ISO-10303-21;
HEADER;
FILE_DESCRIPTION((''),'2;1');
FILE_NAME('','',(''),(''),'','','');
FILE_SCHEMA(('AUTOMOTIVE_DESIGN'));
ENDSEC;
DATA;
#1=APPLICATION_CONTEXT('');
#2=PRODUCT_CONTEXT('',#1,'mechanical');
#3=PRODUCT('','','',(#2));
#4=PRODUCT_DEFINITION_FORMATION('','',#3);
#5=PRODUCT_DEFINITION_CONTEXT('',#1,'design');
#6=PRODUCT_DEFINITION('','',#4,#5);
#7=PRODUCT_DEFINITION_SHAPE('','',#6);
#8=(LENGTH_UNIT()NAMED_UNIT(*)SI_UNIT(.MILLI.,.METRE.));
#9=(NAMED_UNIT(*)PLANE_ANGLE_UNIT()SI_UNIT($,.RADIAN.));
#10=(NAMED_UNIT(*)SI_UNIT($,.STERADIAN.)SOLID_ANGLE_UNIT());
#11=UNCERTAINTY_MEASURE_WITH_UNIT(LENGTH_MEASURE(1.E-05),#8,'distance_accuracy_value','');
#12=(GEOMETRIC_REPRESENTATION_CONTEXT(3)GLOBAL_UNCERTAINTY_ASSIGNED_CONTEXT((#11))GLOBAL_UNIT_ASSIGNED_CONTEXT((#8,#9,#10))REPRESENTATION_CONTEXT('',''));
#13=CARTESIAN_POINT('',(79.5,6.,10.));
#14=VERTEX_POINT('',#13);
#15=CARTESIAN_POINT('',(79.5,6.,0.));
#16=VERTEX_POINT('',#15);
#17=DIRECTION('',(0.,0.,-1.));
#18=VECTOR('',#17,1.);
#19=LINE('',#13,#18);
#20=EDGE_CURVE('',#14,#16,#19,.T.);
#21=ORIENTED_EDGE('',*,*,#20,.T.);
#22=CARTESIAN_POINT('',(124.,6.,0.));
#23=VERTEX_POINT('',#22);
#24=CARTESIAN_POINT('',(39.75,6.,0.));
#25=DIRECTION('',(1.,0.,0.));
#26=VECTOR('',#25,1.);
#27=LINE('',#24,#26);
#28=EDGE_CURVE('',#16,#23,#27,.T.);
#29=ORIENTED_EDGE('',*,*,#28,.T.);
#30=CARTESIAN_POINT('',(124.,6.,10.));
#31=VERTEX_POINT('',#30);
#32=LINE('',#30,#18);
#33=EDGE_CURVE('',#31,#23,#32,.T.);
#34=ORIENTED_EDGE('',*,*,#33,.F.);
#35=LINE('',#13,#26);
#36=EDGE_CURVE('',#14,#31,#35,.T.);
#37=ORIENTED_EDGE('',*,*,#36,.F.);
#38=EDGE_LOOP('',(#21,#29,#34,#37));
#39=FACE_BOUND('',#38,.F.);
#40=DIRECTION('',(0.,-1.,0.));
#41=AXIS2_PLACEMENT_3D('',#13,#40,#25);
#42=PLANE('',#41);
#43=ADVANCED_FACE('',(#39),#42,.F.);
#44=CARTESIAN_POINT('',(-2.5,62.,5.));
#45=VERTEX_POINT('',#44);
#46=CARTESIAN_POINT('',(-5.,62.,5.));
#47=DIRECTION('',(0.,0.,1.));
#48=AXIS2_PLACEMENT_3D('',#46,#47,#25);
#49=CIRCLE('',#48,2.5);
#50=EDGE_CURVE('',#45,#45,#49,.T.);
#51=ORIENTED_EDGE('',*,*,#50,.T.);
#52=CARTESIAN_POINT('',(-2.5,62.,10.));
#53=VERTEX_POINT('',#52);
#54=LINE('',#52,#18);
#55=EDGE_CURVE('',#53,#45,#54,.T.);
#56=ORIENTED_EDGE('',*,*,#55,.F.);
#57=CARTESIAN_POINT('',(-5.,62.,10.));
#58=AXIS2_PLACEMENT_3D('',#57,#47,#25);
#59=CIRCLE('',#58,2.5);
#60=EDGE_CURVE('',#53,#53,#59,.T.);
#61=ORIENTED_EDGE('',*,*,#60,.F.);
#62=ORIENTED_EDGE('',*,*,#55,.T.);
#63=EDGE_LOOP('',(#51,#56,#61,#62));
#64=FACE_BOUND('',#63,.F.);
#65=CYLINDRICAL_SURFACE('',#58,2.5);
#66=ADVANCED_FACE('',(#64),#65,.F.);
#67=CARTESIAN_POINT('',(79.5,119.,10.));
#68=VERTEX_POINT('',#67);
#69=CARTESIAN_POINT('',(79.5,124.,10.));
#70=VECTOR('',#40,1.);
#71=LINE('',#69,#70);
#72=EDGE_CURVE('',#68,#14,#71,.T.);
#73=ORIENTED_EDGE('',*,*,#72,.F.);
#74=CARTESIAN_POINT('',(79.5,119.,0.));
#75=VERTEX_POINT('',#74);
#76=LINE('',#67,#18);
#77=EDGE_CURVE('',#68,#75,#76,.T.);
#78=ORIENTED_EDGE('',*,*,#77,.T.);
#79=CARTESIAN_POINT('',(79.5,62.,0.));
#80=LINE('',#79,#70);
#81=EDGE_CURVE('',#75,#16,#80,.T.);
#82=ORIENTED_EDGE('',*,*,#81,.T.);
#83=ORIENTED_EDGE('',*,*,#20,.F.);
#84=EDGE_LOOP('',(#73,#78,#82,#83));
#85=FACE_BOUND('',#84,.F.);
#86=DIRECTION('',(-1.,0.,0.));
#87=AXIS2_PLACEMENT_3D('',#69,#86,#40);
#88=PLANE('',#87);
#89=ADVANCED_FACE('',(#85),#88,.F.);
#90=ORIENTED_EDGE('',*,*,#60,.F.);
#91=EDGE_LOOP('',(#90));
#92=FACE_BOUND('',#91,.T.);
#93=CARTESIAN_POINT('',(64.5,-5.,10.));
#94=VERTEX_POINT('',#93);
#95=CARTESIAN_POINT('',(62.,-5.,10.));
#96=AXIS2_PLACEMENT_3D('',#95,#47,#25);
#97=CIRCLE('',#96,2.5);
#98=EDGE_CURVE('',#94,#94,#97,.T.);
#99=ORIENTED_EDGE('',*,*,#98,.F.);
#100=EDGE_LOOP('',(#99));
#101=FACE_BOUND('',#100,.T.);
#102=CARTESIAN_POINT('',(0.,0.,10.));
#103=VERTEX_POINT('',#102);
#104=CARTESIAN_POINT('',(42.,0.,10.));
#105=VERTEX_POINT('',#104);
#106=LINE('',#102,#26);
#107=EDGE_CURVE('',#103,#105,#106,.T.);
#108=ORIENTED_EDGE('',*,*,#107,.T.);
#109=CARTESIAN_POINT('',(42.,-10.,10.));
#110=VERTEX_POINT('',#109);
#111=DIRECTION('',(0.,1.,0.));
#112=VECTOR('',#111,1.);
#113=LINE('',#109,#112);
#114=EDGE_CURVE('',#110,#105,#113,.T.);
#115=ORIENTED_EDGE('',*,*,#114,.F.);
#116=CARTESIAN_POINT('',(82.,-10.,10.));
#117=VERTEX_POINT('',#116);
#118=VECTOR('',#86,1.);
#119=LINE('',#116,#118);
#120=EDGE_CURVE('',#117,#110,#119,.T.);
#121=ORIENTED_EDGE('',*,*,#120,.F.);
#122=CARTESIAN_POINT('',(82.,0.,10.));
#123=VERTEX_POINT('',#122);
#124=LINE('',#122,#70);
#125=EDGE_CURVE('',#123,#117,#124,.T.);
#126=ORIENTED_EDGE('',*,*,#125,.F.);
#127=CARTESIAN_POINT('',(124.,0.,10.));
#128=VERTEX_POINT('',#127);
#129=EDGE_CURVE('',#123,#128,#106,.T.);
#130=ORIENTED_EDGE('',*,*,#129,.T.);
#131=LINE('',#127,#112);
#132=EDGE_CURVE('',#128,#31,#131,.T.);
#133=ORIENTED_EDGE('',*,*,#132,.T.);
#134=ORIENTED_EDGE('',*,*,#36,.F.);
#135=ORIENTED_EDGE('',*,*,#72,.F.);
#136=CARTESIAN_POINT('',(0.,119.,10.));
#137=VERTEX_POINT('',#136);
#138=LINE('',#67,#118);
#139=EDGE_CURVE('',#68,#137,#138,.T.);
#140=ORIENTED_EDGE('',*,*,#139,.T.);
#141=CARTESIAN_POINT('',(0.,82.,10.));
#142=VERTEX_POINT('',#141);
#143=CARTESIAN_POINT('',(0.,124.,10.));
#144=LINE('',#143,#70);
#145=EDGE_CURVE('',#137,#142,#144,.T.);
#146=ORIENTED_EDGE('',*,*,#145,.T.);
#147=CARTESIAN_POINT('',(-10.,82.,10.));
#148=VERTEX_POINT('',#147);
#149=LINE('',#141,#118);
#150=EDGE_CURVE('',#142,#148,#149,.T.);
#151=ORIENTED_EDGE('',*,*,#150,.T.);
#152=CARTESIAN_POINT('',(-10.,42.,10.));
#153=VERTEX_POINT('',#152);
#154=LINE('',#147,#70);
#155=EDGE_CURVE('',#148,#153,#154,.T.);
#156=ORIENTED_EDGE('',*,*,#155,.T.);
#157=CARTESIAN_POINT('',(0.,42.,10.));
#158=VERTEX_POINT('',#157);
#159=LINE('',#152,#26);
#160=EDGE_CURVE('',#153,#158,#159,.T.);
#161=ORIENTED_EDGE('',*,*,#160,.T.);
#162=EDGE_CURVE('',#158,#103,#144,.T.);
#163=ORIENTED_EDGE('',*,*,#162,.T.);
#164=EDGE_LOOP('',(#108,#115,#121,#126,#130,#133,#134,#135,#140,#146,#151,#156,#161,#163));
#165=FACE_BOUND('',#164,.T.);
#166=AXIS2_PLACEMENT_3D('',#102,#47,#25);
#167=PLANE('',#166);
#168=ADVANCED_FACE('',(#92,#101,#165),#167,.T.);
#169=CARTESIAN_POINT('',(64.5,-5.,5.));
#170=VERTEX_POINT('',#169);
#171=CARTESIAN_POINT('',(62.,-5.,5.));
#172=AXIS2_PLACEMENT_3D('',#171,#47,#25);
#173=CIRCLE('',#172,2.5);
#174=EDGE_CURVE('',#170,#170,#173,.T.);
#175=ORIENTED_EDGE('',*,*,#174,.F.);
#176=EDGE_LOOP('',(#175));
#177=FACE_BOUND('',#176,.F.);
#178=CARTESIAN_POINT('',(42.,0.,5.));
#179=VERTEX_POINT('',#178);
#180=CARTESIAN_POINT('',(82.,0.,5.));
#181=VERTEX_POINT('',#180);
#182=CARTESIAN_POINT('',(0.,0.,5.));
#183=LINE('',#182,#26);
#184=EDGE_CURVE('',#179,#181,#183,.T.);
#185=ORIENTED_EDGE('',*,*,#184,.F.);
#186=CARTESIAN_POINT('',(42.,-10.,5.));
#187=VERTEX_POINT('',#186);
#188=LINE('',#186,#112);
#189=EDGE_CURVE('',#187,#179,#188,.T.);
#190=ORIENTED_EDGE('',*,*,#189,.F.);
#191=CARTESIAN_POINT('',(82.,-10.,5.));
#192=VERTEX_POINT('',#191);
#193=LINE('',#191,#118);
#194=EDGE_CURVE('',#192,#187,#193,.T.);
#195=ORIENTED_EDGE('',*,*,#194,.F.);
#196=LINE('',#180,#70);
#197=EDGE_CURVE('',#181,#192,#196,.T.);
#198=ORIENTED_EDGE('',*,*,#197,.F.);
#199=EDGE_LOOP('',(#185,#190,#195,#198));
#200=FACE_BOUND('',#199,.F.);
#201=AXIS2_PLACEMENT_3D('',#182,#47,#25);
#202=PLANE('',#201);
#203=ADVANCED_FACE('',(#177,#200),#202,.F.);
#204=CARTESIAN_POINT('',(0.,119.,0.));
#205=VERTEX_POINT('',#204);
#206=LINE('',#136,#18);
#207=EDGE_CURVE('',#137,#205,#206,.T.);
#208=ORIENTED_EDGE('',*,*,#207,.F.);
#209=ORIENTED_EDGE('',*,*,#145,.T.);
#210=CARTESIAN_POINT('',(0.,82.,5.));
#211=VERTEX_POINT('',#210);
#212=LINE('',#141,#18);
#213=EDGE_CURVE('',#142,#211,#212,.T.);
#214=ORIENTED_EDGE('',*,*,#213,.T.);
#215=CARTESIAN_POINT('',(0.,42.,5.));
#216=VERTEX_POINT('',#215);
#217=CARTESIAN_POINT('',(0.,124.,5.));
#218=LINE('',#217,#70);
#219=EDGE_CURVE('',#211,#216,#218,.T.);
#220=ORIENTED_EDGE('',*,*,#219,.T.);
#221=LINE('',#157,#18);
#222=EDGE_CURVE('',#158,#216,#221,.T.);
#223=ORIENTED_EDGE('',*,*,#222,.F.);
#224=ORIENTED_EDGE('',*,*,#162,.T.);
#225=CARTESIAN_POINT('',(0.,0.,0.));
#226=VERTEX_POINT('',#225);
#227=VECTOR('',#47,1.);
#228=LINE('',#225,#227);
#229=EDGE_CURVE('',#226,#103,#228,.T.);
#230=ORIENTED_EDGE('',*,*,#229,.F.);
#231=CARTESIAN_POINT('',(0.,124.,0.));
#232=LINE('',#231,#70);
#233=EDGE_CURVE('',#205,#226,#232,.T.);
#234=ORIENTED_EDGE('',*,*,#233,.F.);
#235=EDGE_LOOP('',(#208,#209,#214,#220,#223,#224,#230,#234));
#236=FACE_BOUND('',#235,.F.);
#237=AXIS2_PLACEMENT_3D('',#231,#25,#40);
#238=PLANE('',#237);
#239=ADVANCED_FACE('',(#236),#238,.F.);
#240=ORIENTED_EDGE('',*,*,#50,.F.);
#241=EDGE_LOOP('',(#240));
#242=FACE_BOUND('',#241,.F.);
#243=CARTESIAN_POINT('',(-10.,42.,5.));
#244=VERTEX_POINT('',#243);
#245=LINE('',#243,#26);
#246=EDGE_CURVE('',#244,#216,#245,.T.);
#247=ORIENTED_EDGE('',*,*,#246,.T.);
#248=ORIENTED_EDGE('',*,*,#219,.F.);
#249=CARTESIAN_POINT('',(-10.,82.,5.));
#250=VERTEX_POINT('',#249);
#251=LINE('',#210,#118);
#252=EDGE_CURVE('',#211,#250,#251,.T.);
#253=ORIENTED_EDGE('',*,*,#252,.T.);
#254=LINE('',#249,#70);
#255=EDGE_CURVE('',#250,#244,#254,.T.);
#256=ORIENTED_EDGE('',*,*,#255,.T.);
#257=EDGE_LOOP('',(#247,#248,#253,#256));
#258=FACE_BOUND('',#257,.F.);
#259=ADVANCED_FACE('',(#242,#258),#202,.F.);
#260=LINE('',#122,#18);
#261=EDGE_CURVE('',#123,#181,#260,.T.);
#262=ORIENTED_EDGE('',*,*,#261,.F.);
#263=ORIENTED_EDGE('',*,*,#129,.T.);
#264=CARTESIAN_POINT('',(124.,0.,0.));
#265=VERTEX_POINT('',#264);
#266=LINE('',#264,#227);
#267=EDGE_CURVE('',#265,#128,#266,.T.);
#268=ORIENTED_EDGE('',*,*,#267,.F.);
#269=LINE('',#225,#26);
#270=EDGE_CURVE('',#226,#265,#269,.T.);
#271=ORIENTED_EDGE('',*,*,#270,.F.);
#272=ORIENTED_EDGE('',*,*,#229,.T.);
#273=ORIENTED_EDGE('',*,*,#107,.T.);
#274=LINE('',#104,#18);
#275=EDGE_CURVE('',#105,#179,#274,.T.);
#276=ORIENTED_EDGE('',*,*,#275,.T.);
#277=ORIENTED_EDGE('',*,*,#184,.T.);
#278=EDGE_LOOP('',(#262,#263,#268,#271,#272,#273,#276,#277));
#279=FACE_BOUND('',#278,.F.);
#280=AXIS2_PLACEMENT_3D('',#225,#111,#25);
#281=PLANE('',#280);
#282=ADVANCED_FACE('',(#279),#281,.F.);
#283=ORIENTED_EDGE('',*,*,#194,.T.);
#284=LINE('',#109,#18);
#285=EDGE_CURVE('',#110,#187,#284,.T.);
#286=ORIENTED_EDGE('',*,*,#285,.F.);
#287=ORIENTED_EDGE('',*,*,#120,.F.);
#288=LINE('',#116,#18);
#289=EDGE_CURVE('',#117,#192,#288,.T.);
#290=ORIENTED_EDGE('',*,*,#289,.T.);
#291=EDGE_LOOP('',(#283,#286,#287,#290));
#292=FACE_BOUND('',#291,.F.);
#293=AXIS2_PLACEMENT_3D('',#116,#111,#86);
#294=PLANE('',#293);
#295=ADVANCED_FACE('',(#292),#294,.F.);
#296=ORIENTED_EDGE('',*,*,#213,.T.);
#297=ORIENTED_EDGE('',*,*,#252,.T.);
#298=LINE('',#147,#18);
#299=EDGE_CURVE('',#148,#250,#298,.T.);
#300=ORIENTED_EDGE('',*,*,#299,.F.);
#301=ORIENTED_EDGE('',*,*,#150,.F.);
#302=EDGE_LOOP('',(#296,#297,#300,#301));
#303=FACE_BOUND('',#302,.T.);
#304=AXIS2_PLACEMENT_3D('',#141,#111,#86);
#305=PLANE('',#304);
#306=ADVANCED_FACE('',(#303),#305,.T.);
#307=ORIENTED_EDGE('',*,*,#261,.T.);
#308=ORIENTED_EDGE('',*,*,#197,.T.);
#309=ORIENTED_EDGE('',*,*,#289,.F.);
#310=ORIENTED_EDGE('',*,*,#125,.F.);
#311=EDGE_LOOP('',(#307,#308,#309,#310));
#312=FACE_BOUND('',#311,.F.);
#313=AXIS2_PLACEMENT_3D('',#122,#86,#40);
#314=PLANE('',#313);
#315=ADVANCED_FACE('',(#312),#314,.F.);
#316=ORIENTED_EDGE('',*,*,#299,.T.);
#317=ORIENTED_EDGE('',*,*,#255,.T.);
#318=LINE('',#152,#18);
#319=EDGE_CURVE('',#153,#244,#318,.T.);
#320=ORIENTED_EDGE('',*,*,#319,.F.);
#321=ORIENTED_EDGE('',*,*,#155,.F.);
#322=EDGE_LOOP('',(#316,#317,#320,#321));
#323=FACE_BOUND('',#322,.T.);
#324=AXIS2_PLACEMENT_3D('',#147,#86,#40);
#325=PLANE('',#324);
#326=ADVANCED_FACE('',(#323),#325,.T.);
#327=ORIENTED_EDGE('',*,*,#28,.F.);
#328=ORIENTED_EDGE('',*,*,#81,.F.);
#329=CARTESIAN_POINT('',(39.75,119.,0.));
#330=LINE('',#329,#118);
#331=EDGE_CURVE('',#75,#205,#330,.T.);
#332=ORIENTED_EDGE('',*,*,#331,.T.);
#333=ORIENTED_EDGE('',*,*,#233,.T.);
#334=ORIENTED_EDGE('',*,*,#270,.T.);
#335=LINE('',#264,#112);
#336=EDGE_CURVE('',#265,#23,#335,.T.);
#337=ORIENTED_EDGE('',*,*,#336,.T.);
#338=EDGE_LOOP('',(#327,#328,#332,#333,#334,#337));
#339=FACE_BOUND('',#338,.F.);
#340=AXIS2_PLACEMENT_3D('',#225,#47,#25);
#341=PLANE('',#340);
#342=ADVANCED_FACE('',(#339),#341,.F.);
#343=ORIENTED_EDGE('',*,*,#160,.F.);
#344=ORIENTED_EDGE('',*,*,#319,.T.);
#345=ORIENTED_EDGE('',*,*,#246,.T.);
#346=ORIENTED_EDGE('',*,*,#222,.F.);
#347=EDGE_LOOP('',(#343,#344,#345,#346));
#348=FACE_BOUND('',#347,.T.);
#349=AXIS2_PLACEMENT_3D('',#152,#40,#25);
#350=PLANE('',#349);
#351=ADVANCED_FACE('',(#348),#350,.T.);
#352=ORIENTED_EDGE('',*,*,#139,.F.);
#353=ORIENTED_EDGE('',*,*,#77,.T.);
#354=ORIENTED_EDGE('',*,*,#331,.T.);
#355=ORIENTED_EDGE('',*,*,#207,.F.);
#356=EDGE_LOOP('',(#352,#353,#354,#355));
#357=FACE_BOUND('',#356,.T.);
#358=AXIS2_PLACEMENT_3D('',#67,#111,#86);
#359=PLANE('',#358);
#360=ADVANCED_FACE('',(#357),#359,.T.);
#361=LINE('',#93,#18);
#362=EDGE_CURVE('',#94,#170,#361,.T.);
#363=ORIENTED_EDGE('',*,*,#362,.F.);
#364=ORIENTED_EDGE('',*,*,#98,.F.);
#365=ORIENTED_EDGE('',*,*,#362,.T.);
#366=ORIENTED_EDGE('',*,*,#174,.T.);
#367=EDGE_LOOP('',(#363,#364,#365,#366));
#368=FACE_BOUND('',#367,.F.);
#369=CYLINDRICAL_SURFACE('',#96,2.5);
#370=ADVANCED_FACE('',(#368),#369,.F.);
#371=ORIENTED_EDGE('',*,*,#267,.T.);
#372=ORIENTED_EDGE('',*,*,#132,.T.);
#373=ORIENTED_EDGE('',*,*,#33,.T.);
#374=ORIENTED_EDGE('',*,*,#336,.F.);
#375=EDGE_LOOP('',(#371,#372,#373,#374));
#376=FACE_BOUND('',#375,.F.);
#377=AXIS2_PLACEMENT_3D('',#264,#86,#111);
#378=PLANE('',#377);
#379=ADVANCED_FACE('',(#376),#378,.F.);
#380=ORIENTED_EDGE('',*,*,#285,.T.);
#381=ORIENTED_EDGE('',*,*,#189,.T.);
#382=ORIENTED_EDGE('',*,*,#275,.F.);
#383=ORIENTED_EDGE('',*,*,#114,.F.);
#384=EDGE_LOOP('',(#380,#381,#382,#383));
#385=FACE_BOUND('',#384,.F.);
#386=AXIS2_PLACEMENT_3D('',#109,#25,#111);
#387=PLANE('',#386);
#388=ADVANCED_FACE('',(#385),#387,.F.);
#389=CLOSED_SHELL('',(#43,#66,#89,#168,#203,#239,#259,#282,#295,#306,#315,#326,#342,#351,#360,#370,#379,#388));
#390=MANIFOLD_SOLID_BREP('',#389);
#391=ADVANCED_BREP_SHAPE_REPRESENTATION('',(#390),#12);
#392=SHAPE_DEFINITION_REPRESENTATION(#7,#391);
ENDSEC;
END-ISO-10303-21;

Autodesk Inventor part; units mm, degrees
ref_plane "YZ Plane" through (0, 0, 0) normal (1, 0, 0) x (0, 1, 0)
ref_plane "XZ Plane" through (0, 0, 0) normal (0, 1, 0) x (-1, 0, 0)
ref_plane "XY Plane" through (0, 0, 0) normal (0, 0, 1) x (1, 0, 0)
sketch "Sketch1" plane through (0, 0, 0) normal (0, 0, 1) x (1, 0, 0)
  line L0 (0, 0) -> (124, 0)
  line L1 (124, 0) -> (124, 124)
  line L2 (124, 124) -> (0, 124)
  line L3 (0, 124) -> (0, 0)
  dimension "d0" = 124
  dimension "d1" = 124
extrude "Extrusion1" add sketch "Sketch1" along normal blind 10
sketch "Sketch2" plane through (0, 0, 10) normal (0, 0, 1) x (1, 0, 0)
  line L0 (124, 0) -> (124, 124) projected
  line L1 (124, 124) -> (79.5, 124)
  line L2 (79.5, 124) -> (79.5, 6)
  line L3 (79.5, 6) -> (124, 6)
  line L4 (124, 6) -> (124, 124)
  point P0 (0, 0)
  dimension "d4" = 44.5
  dimension "d5" = 118
extrude "Extrusion2" cut sketch "Sketch2" against normal through all
sketch "Sketch3" plane through (0, 0, 10) normal (0, 0, 1) x (1, 0, 0)
  line L0 (0, 124) -> (0, 0) projected
  line L1 (0, 82) -> (-10, 82)
  line L2 (-10, 82) -> (-10, 42)
  line L3 (-10, 42) -> (0, 42)
  line L4 (0, 42) -> (0, 82)
  circle A0 centre (-5, 62) radius 2.5
  line L5 (0, 0) -> (124, 0) projected
  line L6 (42, 0) -> (82, 0)
  line L7 (82, 0) -> (82, -10)
  line L8 (82, -10) -> (42, -10)
  line L9 (42, -10) -> (42, 0)
  circle A1 centre (62, -5) radius 2.5
  point P0 (-10, 62)
  point P1 (0, 62)
  point P2 (-5, 82)
  point P3 (62, -10)
  point P4 (62, 0)
  point P5 (62, 0)
  point P6 (42, -5)
  dimension "d8" = 10
  dimension "d9" = 40
  dimension "d10" = 5
  dimension "d11" = 40
  dimension "d12" = 10
  dimension "d13" = 5
extrude "Extrusion3" add sketch "Sketch3" against normal blind 5
sketch "Sketch5" plane through (0, 0, 10) normal (0, 0, 1) x (1, 0, 0)
  line L0 (0, 124) -> (0, 82) projected
  line L1 (0, 124) -> (79.5, 124)
  line L2 (79.5, 124) -> (79.5, 119)
  line L3 (79.5, 119) -> (0, 119)
  line L4 (0, 119) -> (0, 124)
  line L5 (79.5, 6) -> (79.5, 124) projected
  point P0 (0, 0)
  dimension "d19" = 5
extrude "Extrusion5" cut sketch "Sketch5" against normal through all
properties part number "TC004" material "ABS Plastic"
